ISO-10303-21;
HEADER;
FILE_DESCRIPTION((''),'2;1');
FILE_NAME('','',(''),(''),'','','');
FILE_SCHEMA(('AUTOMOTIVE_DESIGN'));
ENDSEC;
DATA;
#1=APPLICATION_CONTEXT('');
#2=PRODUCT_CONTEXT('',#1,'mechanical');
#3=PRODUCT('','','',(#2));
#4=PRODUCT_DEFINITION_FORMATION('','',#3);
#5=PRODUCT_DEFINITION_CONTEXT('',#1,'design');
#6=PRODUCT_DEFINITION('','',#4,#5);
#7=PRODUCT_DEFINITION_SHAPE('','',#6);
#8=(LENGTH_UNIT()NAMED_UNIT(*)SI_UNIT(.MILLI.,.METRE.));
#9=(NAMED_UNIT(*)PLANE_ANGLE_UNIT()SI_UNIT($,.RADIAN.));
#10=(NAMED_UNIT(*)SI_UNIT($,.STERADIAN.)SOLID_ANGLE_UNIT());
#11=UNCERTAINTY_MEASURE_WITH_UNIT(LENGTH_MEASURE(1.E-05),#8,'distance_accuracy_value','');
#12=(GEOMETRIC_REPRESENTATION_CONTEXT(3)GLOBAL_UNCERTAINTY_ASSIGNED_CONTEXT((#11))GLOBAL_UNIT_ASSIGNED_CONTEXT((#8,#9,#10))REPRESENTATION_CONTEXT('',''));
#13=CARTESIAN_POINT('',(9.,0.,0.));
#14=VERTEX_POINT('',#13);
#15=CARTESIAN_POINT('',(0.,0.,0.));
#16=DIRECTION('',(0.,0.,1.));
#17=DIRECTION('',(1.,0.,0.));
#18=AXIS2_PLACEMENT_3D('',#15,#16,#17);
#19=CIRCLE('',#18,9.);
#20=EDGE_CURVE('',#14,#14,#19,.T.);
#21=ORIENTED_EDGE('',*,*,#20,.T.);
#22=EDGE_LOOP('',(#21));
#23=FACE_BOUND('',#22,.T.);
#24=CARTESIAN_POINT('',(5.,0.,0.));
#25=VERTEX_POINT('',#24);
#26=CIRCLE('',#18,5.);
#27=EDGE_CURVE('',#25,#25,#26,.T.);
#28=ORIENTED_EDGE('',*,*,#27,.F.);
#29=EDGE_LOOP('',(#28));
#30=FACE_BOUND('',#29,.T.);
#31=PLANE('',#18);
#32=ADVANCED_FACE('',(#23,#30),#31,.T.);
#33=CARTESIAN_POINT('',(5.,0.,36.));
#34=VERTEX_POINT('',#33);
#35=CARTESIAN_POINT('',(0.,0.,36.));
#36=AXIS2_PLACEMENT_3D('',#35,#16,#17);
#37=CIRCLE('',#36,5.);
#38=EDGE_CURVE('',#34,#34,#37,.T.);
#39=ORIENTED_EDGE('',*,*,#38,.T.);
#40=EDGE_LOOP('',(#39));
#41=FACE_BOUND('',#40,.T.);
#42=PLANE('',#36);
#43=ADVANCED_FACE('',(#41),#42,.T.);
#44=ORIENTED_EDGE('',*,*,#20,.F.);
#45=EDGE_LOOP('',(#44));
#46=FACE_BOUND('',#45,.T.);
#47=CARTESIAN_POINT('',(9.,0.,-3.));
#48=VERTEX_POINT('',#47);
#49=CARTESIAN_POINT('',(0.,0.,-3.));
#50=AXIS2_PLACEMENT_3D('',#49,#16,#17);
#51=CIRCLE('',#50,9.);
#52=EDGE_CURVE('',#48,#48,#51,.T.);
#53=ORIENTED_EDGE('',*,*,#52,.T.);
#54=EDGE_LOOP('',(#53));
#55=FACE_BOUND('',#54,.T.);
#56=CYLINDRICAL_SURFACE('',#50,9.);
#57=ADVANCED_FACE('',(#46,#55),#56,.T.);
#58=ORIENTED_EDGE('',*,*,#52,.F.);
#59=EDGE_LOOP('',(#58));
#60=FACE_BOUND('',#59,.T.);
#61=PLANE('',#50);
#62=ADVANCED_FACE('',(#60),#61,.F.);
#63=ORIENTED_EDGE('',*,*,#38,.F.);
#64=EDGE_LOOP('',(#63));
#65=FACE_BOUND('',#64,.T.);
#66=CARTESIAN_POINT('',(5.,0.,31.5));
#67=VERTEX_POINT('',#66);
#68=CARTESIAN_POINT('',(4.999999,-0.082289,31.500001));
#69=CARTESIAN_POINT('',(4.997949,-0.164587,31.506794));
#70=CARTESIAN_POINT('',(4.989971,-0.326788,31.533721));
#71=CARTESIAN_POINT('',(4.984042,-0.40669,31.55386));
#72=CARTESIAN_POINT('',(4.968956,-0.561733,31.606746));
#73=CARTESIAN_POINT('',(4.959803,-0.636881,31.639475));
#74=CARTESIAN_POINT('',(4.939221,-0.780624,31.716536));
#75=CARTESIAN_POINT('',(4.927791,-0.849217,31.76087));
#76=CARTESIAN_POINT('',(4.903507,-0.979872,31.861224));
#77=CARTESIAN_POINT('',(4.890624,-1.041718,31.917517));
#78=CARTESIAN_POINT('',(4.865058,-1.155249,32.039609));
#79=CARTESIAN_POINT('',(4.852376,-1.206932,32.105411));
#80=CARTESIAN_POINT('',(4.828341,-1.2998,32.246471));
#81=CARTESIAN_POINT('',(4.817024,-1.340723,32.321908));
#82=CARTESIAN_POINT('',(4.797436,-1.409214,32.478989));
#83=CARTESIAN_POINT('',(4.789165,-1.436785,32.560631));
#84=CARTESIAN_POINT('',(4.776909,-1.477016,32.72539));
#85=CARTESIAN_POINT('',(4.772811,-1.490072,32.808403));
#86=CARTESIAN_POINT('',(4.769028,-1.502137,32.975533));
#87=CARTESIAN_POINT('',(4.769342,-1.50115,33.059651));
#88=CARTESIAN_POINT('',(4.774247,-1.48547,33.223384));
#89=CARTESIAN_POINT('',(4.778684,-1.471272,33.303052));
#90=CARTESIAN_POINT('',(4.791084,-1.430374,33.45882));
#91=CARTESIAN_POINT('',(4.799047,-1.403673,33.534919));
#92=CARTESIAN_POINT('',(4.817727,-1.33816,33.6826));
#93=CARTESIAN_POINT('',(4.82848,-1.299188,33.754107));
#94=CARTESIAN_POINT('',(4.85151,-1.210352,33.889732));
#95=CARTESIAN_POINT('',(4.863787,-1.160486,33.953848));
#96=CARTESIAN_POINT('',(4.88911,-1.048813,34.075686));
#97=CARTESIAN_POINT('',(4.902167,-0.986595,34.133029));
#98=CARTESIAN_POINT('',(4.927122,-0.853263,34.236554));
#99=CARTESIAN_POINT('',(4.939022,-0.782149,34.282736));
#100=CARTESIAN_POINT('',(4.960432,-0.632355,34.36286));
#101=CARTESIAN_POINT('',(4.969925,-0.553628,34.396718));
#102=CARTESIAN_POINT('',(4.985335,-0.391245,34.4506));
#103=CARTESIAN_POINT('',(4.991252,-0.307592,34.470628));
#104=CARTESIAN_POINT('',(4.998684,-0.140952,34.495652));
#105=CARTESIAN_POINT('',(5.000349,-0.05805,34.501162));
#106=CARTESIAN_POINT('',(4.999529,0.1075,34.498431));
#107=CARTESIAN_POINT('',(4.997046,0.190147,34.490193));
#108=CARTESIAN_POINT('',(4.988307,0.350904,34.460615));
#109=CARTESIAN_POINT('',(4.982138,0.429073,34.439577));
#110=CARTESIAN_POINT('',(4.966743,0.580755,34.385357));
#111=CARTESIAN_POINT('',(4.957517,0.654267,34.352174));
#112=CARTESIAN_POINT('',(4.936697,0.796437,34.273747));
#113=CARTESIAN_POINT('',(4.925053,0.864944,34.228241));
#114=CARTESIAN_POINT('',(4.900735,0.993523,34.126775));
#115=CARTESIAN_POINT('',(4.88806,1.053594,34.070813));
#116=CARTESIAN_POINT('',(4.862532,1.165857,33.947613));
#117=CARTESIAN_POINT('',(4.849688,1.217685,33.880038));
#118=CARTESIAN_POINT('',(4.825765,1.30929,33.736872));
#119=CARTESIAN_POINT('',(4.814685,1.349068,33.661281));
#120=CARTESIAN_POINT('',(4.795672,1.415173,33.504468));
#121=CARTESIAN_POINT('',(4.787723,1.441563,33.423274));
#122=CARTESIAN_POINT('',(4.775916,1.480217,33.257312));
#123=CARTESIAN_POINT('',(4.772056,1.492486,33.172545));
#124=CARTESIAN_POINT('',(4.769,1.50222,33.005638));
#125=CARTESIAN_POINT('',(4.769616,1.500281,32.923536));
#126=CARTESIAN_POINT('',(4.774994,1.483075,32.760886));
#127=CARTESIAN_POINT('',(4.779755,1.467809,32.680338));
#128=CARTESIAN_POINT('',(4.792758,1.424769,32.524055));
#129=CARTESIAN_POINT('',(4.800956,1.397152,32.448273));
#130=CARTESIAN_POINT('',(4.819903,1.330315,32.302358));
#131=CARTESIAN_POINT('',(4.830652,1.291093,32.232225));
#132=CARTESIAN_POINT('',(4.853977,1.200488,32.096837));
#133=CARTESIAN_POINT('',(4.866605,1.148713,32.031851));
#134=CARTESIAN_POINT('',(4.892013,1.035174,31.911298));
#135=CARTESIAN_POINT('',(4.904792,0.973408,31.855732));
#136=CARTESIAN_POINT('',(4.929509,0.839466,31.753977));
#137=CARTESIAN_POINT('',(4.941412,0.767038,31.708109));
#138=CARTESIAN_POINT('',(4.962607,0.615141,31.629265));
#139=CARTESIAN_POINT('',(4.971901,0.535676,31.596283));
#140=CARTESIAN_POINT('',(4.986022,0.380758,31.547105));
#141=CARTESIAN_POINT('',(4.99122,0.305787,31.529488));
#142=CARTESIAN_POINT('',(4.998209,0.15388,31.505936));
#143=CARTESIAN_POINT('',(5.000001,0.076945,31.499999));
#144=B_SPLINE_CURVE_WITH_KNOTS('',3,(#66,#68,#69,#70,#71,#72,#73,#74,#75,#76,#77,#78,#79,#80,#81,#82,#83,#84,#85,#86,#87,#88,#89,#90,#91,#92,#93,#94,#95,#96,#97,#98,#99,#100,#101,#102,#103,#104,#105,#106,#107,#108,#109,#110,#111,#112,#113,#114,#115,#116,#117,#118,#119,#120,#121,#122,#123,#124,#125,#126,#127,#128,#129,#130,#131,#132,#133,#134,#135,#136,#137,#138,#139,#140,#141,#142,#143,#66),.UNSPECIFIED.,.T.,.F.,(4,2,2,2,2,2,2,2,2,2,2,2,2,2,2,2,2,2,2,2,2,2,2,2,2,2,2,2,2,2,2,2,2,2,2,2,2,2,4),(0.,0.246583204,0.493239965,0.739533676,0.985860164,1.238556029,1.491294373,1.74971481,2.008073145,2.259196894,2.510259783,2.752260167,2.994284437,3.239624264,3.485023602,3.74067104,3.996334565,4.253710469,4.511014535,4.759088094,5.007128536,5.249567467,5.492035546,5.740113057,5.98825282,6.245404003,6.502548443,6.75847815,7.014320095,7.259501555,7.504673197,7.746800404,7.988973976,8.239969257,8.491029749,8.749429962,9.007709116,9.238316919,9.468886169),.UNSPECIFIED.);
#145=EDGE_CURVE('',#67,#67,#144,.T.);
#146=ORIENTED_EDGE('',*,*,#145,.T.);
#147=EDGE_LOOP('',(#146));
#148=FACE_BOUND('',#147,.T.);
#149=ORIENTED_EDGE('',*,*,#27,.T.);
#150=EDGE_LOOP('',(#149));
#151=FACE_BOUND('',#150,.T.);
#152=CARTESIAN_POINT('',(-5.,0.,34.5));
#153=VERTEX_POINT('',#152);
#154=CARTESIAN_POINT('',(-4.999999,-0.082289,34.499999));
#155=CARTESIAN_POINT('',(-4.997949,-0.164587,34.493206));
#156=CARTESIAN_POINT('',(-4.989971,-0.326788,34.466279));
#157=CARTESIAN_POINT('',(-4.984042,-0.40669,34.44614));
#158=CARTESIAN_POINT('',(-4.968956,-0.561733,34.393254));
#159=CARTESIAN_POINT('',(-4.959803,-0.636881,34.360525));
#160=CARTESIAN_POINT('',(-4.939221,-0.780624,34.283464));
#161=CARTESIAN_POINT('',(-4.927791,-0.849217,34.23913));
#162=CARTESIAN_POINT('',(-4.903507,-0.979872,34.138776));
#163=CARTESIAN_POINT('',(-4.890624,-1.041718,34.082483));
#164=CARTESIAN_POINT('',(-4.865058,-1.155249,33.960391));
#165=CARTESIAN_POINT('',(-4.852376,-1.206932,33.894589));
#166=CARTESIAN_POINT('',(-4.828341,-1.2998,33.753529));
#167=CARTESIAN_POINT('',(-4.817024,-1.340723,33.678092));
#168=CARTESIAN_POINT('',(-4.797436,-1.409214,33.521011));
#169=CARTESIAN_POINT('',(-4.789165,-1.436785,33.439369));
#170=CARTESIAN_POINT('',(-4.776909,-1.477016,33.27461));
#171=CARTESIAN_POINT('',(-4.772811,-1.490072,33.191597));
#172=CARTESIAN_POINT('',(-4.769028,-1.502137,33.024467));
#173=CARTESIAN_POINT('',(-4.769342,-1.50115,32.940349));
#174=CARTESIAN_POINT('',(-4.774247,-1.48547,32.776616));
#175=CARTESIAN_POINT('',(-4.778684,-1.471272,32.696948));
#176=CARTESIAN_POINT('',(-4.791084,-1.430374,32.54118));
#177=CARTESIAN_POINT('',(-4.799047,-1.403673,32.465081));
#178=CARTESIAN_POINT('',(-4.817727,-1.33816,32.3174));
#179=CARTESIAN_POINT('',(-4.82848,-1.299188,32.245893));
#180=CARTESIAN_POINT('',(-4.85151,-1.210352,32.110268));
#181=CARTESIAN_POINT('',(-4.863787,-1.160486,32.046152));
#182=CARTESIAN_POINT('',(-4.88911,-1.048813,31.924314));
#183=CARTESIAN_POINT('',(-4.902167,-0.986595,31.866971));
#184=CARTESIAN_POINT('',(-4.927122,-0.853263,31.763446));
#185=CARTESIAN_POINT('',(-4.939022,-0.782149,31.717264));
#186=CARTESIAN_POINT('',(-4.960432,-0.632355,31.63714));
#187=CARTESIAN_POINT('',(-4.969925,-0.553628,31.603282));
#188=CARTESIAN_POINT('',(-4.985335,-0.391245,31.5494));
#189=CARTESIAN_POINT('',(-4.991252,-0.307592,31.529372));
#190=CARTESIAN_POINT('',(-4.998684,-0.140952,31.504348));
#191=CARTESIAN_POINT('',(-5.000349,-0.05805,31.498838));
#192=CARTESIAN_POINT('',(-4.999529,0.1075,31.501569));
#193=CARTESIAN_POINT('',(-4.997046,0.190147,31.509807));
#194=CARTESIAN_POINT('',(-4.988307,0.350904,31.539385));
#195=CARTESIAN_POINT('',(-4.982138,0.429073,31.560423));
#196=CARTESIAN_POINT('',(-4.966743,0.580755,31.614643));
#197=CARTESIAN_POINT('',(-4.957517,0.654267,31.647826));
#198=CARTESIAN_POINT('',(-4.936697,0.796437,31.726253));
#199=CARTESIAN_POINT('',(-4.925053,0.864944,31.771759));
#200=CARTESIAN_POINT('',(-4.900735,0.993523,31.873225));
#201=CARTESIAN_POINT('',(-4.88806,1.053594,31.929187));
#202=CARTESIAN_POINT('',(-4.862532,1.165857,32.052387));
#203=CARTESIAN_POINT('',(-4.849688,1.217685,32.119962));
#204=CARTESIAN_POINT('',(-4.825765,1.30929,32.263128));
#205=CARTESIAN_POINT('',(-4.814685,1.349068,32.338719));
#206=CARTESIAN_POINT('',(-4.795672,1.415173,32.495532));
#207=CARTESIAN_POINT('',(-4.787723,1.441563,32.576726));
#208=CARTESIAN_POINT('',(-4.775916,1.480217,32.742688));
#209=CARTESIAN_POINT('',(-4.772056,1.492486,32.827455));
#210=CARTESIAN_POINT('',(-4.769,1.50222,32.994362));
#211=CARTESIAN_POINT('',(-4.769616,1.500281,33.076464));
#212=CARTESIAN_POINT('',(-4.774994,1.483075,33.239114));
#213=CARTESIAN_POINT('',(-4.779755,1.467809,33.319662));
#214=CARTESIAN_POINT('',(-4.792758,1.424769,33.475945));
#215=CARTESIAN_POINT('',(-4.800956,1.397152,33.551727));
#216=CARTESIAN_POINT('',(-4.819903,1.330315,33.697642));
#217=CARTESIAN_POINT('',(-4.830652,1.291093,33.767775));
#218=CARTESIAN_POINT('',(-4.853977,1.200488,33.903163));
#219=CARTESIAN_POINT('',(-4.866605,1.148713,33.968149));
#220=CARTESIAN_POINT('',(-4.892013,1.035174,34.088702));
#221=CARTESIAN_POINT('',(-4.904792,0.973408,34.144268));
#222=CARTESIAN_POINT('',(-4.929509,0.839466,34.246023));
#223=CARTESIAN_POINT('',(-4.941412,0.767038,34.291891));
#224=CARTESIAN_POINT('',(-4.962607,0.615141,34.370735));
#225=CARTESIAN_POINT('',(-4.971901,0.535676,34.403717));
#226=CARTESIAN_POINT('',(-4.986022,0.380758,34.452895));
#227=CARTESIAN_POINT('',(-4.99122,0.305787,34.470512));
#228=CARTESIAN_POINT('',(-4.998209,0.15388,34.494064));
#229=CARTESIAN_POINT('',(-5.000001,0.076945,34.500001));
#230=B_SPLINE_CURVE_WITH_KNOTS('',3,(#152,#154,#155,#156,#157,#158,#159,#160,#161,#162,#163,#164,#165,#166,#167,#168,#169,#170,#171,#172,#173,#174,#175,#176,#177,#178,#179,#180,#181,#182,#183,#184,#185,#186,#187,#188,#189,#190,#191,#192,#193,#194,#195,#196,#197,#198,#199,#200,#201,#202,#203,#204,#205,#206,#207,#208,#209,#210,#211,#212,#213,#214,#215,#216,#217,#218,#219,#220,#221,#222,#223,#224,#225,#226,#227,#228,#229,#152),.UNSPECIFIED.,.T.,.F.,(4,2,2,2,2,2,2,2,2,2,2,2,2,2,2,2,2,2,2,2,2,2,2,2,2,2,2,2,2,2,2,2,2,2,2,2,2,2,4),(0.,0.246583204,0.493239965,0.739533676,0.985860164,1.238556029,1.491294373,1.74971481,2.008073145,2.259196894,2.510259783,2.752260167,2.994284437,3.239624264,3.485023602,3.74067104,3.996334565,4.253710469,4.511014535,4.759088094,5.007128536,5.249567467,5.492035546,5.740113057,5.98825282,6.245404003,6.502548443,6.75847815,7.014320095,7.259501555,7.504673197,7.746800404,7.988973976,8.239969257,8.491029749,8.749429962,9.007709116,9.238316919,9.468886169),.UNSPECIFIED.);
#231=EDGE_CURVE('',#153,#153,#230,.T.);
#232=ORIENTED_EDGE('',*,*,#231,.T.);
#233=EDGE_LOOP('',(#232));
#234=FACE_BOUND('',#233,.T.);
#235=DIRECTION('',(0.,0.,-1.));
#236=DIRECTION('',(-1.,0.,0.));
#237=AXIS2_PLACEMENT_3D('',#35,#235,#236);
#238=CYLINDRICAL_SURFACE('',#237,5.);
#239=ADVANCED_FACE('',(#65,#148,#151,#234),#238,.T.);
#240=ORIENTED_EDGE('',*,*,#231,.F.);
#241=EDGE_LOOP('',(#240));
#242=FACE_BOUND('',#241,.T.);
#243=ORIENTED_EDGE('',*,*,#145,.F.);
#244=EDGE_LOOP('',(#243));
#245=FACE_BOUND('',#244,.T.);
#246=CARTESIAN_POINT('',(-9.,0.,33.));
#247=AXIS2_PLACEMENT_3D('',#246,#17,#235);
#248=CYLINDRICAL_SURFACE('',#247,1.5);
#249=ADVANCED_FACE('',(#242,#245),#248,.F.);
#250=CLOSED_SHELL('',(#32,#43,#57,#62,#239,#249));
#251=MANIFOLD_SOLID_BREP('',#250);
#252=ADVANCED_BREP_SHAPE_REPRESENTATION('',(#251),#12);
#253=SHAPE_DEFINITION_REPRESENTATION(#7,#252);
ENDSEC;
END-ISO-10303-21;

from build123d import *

# Parameters (mm, degrees)
SKETCH1_R               = 5
BOSS_EXTRUDE1_DEPTH     = 36
SKETCH2_R               = 9
BOSS_EXTRUDE2_DEPTH     = 3
CUT_EXTRUDE1_DEPTH      = 39.183766184
CUT_EXTRUDE1_DEPTH_BACK = 39.183766184
SKETCH3_R               = 1.5


with BuildPart() as part:
    # Sketch1 → Boss-Extrude1 (new body)
    with BuildSketch(Plane.XY):
        Circle(SKETCH1_R)
    extrude(amount=BOSS_EXTRUDE1_DEPTH)

    # Sketch2 → Boss-Extrude2 (add)
    with BuildSketch(Plane.XY):
        Circle(SKETCH2_R)
    extrude(amount=-BOSS_EXTRUDE2_DEPTH)

    # Sketch3 → Cut-Extrude1 (cut, two sides: drawn at the far end of the back side and taken through both)
    with BuildSketch(Plane(origin=(0, 0, 0), x_dir=(0, 0, -1), z_dir=(1, 0, 0)).offset(-CUT_EXTRUDE1_DEPTH_BACK)):
        with Locations(Location((-33, 0, 0), (0, 0, 179.999999999))):
            Circle(SKETCH3_R)
    extrude(amount=CUT_EXTRUDE1_DEPTH + CUT_EXTRUDE1_DEPTH_BACK, mode=Mode.SUBTRACT)


solid = part.part
